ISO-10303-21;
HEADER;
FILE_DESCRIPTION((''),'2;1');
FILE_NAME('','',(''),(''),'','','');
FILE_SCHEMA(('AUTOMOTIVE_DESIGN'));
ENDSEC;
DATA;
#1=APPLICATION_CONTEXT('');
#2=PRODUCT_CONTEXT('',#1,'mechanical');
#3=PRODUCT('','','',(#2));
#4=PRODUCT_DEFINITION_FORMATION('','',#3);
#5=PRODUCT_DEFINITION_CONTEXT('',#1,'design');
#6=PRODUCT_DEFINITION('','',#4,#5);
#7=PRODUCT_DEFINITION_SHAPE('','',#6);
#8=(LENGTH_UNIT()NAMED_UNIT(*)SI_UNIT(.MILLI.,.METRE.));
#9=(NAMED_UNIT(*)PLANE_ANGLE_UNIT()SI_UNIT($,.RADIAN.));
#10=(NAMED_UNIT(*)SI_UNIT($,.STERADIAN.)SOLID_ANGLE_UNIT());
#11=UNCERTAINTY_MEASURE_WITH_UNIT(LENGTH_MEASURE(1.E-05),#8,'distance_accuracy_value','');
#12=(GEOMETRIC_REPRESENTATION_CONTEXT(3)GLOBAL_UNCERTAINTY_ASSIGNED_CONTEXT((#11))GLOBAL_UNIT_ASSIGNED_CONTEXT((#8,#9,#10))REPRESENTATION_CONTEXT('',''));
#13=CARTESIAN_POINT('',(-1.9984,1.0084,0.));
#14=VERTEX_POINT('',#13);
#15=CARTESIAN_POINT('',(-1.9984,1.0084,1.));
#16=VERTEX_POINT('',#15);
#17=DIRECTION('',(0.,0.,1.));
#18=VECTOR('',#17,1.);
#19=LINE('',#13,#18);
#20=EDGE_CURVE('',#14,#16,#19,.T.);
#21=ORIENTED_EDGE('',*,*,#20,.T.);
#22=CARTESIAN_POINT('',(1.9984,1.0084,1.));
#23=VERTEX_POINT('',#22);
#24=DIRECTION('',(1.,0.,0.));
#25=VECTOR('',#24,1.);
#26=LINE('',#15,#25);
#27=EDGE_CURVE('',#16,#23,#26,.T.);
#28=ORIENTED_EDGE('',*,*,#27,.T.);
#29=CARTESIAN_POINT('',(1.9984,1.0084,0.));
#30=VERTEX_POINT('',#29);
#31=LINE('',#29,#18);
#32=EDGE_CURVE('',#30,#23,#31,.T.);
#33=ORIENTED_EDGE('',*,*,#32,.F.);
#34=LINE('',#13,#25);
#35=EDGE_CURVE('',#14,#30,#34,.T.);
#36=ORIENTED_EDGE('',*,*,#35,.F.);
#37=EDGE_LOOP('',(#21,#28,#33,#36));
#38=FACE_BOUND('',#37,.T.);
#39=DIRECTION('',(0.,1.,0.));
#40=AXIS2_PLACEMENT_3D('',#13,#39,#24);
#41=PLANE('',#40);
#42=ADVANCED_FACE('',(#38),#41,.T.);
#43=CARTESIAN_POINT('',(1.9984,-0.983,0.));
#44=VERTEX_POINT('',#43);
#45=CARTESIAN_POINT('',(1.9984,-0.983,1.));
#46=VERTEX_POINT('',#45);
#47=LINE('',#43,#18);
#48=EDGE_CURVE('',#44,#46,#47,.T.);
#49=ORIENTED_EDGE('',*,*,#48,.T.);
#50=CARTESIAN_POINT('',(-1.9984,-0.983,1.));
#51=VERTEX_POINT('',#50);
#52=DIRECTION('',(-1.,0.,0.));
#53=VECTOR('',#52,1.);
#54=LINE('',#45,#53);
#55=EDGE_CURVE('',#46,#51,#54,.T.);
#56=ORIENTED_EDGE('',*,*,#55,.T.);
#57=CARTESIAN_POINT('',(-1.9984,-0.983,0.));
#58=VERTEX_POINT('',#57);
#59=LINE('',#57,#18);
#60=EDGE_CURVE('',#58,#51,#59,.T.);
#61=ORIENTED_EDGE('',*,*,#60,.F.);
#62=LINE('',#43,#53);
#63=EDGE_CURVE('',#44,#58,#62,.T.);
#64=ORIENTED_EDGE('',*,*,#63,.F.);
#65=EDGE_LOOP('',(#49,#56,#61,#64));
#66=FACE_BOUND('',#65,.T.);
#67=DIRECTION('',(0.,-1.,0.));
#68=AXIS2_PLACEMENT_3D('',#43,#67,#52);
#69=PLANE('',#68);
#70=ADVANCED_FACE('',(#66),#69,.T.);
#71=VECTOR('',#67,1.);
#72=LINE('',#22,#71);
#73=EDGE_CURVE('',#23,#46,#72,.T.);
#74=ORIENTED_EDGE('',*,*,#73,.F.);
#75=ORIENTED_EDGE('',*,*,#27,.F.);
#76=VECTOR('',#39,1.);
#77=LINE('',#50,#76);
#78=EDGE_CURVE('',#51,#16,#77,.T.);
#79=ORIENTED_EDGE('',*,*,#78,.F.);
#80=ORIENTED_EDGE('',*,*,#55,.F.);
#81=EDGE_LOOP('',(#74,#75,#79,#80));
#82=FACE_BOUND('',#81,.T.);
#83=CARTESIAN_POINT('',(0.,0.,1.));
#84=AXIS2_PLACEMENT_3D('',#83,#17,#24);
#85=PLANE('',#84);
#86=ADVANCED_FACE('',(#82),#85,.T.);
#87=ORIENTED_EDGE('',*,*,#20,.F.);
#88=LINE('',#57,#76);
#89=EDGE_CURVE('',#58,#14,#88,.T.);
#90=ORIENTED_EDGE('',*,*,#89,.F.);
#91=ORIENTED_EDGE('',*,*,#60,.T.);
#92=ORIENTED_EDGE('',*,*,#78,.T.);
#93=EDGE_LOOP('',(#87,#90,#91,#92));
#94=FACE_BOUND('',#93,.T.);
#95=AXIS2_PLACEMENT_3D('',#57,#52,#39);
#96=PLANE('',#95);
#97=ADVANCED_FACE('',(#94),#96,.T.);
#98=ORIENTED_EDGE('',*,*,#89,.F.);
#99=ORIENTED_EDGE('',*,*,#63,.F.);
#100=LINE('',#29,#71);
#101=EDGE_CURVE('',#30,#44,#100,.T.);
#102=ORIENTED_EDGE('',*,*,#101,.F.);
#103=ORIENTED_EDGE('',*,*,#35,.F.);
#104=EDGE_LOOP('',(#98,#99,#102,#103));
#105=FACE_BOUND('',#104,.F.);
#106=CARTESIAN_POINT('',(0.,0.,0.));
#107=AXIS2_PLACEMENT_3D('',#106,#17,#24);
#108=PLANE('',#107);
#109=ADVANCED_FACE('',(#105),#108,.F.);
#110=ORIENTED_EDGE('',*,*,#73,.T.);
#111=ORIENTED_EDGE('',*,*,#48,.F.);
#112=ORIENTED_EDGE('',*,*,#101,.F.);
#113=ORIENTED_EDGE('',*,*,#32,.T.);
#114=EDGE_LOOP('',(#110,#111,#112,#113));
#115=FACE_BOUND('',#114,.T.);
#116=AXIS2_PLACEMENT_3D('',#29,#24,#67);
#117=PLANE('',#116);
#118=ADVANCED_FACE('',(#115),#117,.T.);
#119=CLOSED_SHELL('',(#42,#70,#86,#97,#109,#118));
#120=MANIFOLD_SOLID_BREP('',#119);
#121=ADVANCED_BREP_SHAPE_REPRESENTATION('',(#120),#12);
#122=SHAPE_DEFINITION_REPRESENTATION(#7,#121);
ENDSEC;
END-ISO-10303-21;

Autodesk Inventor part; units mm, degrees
ref_plane "YZ Plane" through (0, 0, 0) normal (1, 0, 0) x (0, 1, 0)
ref_plane "XZ Plane" through (0, 0, 0) normal (0, 1, 0) x (-1, 0, 0)
ref_plane "XY Plane" through (0, 0, 0) normal (0, 0, 1) x (1, 0, 0)
sketch "C0805, 1UF_16" plane through (0, 0, 0) normal (0, 0, 1) x (1, 0, 0)
  line L0 (-1.9984, 1.0084) -> (1.9984, 1.0084)
  line L1 (1.9984, 1.0084) -> (1.9984, -0.983)
  line L2 (1.9984, -0.983) -> (-1.9984, -0.983)
  line L3 (-1.9984, -0.983) -> (-1.9984, 1.0084)
extrude "Extrusion1" add sketch "C0805, 1UF_16" along normal blind 1
properties part number "1UF"
